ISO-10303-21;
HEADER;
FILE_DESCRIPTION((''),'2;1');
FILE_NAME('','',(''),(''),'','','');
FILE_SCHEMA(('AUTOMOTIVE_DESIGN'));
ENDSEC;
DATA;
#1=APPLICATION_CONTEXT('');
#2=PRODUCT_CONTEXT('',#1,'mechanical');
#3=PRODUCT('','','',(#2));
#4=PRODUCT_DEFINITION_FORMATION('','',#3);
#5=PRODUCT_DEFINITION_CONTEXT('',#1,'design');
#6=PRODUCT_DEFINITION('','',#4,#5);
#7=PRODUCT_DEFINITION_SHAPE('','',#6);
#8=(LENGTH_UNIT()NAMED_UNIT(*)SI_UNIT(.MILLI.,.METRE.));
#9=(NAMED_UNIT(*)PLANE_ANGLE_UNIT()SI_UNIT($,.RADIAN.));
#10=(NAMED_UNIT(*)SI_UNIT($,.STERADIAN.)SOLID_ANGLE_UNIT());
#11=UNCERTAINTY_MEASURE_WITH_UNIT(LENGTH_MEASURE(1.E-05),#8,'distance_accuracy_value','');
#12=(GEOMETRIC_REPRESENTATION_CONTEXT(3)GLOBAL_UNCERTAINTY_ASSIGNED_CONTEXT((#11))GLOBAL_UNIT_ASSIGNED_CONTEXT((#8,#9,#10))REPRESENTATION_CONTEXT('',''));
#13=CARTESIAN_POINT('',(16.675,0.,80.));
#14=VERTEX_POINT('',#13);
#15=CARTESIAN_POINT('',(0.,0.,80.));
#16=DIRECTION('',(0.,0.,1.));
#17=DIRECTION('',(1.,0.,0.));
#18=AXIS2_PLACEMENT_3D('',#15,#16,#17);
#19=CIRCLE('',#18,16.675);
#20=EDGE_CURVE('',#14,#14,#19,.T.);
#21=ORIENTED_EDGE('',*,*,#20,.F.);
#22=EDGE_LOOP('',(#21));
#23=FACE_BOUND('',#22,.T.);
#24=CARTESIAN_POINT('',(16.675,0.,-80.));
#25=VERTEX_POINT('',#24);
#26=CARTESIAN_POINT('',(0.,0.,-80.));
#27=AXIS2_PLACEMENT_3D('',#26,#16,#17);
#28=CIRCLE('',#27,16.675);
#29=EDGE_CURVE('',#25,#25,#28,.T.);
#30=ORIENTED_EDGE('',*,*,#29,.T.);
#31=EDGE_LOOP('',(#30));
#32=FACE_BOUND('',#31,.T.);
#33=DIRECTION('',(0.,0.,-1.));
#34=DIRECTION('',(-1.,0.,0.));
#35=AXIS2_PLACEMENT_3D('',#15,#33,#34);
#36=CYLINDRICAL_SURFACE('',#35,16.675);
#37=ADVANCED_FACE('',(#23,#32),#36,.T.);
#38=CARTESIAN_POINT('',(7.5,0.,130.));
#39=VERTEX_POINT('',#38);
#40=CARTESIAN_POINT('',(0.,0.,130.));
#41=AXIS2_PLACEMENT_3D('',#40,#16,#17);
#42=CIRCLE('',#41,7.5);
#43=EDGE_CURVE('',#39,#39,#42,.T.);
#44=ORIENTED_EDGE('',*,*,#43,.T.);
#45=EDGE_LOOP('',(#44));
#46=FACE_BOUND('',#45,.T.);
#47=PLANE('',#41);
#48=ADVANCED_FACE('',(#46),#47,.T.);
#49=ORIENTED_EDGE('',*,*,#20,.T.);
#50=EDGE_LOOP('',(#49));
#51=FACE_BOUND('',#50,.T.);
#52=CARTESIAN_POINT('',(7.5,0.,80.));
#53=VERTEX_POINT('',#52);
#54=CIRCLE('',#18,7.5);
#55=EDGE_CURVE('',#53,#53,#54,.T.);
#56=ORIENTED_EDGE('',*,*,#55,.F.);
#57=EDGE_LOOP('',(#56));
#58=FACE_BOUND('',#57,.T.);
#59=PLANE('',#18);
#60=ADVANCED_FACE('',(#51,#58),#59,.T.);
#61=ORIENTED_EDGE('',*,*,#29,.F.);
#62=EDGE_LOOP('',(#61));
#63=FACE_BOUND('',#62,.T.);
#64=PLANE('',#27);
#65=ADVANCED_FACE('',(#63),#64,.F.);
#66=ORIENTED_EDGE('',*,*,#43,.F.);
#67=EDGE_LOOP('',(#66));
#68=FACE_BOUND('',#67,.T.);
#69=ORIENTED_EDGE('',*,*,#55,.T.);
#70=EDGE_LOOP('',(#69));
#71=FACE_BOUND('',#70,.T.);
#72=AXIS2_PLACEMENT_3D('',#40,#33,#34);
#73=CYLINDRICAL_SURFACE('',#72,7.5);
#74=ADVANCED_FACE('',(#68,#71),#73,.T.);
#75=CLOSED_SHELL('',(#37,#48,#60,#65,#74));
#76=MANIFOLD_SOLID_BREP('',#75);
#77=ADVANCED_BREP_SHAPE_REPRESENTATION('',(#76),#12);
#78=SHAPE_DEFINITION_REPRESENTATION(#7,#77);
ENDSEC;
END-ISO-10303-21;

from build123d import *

# Parameters (mm, degrees)
SKETCH1_R           = 16.675
BOSS_EXTRUDE1_DEPTH = 80
SKETCH2_R           = 7.5
BOSS_EXTRUDE2_DEPTH = 50


with BuildPart() as part:
    # Sketch1 → Boss-Extrude1 (new, symmetric)
    with BuildSketch(Plane.XY):
        Circle(SKETCH1_R)
    extrude(amount=BOSS_EXTRUDE1_DEPTH, both=True)

    # Sketch2 → Boss-Extrude2 (add)
    with BuildSketch(Plane.XY.offset(80)):
        Circle(SKETCH2_R)
    extrude(amount=BOSS_EXTRUDE2_DEPTH)


solid = part.part
